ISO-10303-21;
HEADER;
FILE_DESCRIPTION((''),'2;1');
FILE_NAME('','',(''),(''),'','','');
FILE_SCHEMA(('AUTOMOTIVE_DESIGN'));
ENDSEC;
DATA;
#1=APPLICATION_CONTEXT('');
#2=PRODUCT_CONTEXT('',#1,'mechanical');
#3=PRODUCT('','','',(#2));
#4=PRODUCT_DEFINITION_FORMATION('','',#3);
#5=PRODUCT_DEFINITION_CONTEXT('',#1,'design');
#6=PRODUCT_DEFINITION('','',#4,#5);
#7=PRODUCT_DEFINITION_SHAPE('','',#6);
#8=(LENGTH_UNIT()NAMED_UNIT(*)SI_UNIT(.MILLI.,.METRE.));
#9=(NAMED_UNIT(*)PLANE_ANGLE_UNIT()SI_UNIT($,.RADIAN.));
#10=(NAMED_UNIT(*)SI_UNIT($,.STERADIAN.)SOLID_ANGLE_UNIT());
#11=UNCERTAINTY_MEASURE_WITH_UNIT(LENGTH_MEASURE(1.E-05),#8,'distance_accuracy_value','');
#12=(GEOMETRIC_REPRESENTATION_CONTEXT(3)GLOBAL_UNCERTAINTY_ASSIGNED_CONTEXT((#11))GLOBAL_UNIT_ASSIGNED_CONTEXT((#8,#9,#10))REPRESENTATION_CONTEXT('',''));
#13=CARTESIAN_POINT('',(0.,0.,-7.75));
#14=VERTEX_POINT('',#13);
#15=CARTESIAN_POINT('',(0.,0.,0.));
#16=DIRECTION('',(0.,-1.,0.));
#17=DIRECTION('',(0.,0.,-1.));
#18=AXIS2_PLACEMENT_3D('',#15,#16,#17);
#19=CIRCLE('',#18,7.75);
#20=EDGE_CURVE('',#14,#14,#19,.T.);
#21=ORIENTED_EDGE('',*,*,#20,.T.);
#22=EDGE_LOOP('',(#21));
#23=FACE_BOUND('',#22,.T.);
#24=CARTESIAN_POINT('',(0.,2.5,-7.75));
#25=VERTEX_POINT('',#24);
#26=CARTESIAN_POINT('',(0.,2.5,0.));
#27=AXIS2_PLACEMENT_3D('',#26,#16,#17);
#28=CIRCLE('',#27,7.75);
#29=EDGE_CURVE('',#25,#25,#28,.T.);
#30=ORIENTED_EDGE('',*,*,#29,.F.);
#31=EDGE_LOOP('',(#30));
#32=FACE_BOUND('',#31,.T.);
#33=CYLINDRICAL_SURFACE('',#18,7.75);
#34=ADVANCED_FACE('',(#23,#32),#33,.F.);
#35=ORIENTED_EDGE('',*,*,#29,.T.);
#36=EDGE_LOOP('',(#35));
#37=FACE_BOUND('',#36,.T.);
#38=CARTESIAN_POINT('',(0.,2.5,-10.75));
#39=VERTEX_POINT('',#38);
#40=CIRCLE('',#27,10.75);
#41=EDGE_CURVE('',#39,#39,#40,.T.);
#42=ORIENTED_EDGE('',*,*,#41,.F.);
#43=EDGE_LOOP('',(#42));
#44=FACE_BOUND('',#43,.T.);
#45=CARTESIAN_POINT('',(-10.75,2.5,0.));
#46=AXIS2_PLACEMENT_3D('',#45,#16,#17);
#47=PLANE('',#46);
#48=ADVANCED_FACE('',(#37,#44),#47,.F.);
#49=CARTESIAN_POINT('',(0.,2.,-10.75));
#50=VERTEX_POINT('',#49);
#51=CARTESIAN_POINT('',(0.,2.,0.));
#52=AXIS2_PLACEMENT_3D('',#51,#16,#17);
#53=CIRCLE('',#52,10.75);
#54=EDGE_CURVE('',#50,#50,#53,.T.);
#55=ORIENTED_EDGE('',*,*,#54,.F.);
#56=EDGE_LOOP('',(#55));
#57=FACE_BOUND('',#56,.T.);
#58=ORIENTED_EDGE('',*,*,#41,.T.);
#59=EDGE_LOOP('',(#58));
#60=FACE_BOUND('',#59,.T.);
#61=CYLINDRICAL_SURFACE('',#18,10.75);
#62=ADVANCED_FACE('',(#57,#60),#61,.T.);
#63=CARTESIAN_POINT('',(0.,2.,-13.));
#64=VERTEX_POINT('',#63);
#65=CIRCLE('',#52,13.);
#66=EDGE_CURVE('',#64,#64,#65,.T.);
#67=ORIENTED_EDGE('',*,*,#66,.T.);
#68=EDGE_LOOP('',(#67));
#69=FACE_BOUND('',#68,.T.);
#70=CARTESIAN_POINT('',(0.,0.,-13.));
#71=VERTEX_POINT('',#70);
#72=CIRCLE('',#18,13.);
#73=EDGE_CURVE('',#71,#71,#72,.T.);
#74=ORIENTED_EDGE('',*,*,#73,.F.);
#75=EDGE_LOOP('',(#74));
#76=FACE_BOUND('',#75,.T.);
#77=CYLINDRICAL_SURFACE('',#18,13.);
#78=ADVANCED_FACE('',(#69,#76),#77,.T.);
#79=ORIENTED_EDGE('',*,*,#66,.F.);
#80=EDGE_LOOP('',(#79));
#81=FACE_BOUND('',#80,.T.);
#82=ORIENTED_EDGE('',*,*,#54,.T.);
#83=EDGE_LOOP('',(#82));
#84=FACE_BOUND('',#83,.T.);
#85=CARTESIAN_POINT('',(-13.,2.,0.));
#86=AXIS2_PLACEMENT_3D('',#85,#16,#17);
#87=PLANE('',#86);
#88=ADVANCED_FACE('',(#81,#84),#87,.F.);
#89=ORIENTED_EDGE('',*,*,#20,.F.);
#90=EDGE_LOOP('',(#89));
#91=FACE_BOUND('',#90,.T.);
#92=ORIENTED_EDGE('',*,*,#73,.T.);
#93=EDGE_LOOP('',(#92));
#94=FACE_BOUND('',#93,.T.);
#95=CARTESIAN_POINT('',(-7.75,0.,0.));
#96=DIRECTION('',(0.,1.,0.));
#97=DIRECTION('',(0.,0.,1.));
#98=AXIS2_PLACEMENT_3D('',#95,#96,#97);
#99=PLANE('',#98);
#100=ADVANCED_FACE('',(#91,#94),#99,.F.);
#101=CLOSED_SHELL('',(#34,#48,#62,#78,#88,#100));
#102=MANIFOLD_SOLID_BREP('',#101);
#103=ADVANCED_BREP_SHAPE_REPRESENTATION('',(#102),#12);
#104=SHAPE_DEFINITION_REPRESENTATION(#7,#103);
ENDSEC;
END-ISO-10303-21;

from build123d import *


with BuildPart() as part:
    # Sketch1 → Revolve1 (revolve)
    with BuildSketch(Plane.XY, mode=Mode.PRIVATE) as revolve1_sk:
        Polygon((-7.75, 0), (-13, 0), (-13, 2), (-10.75, 2), (-10.75, 2.5), (-7.75, 2.5), align=None)
    revolve(revolve1_sk.sketch.rotate(Axis((0, 0, 0), (0, 1, 0)), 270), axis=Axis((0, 0, 0), (0, 1, 0)))


solid = part.part
